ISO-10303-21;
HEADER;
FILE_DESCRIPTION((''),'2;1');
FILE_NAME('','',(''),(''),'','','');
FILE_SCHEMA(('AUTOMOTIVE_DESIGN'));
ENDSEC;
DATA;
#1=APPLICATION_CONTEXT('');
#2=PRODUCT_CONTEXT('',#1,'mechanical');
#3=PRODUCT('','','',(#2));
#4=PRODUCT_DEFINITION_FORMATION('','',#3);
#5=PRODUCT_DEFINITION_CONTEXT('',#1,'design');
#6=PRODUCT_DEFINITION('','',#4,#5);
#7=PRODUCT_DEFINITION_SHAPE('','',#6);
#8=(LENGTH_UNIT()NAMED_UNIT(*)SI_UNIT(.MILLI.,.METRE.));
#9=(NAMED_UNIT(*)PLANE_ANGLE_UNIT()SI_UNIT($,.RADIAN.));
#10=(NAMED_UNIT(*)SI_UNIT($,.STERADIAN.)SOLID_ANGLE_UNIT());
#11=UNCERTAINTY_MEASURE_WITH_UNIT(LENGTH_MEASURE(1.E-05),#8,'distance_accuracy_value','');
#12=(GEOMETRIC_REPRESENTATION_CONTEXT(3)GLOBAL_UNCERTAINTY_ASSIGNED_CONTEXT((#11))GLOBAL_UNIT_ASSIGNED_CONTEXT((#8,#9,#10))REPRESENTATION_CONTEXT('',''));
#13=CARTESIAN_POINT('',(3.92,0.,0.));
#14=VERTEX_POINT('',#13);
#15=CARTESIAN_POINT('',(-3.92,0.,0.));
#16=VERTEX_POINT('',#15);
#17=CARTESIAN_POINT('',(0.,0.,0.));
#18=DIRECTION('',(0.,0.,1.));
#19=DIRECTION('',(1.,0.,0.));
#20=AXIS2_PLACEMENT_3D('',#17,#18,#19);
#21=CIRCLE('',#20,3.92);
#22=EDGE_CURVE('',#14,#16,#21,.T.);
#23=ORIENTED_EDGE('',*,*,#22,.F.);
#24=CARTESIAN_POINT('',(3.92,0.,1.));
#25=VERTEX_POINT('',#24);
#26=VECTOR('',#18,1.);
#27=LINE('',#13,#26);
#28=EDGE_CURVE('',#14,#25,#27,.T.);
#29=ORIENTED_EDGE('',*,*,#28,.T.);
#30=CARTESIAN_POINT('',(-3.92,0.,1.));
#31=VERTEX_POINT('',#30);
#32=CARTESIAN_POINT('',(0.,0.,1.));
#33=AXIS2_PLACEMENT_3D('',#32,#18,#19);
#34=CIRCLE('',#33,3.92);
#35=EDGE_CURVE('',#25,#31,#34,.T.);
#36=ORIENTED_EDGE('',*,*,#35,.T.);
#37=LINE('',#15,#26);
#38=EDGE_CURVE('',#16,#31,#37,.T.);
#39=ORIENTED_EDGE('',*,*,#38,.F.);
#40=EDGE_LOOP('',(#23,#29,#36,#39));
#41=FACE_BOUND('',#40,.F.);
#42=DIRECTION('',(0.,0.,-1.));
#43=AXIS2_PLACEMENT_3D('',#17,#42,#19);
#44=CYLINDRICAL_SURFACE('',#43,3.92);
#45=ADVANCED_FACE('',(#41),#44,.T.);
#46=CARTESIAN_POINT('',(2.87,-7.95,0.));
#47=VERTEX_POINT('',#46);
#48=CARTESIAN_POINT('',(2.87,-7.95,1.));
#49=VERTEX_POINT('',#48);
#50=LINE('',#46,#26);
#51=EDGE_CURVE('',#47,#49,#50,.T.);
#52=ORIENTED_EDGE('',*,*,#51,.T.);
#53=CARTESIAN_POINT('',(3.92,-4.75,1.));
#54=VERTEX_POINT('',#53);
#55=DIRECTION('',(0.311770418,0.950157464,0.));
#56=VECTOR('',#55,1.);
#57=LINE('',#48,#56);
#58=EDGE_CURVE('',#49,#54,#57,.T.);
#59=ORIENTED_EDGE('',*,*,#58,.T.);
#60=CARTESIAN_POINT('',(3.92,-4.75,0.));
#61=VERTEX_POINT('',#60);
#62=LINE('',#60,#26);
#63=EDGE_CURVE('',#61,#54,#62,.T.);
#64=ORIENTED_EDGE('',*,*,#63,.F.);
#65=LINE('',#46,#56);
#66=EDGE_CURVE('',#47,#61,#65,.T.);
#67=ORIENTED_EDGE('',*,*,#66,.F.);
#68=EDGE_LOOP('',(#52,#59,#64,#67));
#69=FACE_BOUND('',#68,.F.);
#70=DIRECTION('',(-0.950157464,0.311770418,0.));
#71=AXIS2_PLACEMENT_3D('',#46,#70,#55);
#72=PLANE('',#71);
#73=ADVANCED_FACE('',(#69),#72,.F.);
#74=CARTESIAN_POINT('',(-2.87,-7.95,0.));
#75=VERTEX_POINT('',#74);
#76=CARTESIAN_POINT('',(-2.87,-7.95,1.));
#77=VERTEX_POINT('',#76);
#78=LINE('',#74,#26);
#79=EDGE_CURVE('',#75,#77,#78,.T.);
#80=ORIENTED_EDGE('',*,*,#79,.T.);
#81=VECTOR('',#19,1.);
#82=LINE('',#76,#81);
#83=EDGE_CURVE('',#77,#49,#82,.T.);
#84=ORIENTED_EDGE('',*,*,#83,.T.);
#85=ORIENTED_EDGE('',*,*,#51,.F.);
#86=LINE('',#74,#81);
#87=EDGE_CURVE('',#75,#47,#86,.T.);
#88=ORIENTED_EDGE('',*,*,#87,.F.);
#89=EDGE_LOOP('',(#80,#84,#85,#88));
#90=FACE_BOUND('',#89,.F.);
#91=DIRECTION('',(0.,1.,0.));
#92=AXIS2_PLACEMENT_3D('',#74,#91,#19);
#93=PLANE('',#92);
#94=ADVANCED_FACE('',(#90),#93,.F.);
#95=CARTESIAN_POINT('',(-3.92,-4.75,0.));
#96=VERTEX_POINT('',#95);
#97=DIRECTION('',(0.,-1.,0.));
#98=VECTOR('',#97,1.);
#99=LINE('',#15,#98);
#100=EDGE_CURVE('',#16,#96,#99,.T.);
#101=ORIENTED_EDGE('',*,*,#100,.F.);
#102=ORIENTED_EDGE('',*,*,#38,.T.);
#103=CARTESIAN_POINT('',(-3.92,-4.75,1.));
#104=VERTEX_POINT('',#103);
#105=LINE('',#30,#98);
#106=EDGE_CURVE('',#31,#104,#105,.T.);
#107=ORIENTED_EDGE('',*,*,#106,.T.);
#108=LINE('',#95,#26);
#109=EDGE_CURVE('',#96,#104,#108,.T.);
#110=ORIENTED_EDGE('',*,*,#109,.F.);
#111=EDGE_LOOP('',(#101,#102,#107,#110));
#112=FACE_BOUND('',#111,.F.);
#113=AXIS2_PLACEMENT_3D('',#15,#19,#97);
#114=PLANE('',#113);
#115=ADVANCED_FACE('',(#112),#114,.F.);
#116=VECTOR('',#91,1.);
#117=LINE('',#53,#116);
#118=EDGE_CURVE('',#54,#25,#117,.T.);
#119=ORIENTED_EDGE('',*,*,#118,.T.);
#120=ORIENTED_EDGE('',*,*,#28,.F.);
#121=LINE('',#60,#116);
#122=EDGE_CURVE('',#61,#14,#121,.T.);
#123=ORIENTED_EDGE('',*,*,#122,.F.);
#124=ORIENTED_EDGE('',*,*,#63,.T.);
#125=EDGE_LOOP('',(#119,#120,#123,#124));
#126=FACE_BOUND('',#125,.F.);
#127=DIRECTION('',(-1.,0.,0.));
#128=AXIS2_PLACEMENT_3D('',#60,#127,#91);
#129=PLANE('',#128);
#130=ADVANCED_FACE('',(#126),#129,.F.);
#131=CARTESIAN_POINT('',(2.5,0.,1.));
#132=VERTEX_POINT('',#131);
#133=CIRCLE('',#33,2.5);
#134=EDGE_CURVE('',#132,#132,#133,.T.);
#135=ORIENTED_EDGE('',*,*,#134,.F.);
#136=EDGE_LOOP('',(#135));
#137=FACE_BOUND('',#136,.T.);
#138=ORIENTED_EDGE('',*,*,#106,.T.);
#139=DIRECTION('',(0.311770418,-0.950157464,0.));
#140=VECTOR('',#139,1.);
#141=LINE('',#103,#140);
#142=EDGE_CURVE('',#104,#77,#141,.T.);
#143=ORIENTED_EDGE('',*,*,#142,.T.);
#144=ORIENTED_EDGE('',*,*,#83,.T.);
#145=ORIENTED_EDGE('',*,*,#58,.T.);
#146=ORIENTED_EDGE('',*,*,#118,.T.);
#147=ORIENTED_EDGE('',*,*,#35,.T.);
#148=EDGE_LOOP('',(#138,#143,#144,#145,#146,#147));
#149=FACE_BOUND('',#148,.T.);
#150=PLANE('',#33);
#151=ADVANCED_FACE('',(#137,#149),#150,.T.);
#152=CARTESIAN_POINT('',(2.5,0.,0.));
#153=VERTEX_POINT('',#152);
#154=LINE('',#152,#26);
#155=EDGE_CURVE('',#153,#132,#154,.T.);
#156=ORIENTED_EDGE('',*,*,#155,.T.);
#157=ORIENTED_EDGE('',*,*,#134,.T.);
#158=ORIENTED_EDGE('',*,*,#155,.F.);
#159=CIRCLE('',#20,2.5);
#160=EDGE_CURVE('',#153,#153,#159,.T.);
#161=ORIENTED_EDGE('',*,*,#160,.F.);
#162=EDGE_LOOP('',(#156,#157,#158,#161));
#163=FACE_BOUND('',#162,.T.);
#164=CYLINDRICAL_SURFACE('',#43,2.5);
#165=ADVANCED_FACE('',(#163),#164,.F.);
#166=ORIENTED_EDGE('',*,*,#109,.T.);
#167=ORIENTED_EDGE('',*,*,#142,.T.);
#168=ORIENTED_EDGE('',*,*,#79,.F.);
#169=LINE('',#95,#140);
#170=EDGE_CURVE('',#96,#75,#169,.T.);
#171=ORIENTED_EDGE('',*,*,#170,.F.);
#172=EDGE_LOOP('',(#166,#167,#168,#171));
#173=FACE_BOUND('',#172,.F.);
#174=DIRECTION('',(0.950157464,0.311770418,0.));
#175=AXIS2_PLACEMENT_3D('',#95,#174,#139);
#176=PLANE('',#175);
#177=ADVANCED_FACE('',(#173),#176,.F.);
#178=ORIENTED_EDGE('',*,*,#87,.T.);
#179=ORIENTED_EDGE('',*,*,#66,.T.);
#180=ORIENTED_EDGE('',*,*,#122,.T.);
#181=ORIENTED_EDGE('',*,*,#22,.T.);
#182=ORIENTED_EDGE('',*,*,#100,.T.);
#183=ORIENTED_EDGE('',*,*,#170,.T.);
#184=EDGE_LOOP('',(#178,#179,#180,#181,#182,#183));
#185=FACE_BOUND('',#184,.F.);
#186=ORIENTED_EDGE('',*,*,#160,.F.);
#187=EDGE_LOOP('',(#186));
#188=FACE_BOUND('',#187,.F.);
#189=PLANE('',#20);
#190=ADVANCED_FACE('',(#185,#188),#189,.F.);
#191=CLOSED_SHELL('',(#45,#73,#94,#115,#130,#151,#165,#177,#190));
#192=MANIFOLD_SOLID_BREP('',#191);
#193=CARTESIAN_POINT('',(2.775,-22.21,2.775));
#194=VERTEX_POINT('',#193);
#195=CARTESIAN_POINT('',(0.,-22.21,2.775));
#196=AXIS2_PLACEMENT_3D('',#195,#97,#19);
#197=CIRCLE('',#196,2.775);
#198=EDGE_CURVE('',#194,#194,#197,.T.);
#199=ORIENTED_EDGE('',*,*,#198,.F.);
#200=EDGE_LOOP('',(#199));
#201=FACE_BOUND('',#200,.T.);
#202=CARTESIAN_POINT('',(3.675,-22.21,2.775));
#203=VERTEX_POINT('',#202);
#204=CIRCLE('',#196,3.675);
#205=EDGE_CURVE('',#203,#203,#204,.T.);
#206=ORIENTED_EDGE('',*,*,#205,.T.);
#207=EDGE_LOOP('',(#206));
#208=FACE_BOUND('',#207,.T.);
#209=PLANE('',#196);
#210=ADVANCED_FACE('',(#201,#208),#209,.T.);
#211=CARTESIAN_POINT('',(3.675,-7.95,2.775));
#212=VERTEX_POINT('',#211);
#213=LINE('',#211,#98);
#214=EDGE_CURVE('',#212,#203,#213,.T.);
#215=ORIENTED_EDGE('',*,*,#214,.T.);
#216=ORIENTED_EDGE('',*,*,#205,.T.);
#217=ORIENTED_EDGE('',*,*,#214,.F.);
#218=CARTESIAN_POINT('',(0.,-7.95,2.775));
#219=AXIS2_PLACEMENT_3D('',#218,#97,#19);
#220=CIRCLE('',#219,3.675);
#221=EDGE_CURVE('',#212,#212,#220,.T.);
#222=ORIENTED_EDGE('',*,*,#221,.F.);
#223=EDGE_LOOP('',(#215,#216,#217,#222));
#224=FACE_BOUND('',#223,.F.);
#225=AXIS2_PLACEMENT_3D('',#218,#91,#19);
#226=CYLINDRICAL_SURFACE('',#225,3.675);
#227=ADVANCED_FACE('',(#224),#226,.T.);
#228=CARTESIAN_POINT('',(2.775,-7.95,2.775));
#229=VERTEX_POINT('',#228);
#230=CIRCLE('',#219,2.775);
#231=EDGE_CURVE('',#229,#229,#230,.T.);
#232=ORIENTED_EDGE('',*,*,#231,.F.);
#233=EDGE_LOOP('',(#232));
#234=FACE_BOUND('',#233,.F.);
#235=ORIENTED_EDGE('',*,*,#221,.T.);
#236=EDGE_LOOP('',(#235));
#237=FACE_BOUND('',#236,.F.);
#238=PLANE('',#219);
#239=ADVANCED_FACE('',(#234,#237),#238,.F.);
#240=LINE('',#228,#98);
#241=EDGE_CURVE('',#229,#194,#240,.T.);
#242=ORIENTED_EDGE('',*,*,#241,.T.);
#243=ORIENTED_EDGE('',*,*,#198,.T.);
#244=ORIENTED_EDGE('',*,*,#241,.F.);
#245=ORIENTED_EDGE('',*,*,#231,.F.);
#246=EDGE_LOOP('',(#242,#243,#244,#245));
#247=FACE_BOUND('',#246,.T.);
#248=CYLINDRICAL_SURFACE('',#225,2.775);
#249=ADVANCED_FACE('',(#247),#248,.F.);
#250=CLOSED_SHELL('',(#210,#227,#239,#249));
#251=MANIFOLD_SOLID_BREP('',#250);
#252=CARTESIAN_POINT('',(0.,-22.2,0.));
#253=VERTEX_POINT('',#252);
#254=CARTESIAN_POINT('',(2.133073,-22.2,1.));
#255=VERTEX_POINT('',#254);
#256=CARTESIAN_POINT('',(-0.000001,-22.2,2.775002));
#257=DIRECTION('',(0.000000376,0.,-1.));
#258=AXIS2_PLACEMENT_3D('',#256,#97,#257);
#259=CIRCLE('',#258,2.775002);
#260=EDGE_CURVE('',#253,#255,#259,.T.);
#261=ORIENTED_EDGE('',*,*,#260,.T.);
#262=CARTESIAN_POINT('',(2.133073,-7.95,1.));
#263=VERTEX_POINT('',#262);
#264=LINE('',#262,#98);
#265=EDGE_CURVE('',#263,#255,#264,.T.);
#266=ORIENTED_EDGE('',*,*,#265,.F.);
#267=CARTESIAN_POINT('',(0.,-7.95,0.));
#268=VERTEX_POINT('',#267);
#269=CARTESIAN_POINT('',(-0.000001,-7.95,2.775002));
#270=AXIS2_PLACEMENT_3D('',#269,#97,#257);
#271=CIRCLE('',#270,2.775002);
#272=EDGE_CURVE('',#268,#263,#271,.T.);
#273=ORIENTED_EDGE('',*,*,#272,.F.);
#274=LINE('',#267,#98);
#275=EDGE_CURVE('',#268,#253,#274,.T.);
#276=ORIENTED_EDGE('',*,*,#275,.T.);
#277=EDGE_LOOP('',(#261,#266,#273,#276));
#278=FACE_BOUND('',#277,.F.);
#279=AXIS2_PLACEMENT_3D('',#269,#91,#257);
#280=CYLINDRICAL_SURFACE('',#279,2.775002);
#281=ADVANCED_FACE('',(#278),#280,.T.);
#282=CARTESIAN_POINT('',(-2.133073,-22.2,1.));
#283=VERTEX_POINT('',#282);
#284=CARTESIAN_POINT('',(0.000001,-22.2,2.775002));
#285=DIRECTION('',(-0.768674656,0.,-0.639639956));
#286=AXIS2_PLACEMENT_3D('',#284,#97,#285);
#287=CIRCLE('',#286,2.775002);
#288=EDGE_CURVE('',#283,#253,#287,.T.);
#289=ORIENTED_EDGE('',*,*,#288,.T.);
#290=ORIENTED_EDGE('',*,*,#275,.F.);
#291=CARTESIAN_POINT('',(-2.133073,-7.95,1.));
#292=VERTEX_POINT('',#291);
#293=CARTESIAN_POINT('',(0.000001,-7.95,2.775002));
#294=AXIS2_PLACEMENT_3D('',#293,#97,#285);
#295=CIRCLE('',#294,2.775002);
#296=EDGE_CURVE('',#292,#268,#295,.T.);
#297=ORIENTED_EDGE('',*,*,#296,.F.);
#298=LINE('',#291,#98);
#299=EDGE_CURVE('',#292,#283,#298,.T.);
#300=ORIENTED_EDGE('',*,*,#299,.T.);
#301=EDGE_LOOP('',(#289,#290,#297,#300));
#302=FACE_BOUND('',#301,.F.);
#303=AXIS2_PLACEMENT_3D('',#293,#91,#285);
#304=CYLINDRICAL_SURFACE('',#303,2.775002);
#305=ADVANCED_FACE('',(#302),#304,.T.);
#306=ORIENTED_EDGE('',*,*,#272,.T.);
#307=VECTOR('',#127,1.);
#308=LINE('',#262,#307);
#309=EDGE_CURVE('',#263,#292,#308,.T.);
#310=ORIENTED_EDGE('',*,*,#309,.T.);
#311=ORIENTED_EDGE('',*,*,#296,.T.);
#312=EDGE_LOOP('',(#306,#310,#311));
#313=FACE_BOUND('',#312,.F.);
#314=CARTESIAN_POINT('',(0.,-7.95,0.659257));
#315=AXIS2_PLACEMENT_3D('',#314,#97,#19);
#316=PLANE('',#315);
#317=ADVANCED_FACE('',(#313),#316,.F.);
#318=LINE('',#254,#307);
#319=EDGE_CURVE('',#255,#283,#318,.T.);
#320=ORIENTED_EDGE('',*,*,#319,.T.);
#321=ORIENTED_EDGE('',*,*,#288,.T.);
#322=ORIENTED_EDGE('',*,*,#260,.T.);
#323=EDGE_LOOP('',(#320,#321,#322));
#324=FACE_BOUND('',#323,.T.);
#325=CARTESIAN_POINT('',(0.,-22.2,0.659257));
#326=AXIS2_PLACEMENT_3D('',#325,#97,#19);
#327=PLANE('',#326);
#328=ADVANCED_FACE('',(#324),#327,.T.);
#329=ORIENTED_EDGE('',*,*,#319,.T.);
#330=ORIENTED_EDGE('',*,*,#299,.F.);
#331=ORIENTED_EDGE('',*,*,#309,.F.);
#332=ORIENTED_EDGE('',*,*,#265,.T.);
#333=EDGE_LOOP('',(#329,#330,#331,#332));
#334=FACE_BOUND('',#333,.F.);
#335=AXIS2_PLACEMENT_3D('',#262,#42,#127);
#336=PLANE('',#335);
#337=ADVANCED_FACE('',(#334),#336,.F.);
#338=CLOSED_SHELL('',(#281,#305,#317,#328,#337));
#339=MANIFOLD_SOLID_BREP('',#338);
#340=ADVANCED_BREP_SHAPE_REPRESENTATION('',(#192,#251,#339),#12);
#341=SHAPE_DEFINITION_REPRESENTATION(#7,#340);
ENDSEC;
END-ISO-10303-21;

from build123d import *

# Parameters (mm, degrees)
F0_R     = 2.5
F1_DEPTH = 1
F2_R     = 3.675
F2_R_2   = 2.775
F3_DEPTH = 14.26
F4_DEPTH = 14.25


with BuildPart() as f1:
    # F0 (on Top) → F1 (new body)
    with BuildSketch(Plane.XY):
        with BuildLine():
            ThreePointArc((-3.92, 0), (0, -3.92), (3.92, 0))
            ThreePointArc((3.92, 0), (0, 3.92), (-3.92, 0))
        make_face()
        Circle(F0_R, mode=Mode.SUBTRACT)
        with BuildLine():
            Line((3.92, -4.75), (3.92, 0))
            ThreePointArc((3.92, 0), (0, -3.92), (-3.92, 0))
            Line((-3.92, 0), (-3.92, -4.75))
            Line((-3.92, -4.75), (-2.87, -7.95))
            Line((-2.87, -7.95), (2.87, -7.95))
            Line((2.87, -7.95), (3.92, -4.75))
        make_face()
    extrude(amount=F1_DEPTH)


with BuildPart() as f3:
    # F2 (on face) → F3 (new body)
    with BuildSketch(Plane.XZ.offset(7.95)):
        with Locations((0, 2.775)):
            Circle(F2_R)
        with Locations((0, 2.775)):
            Circle(F2_R_2, mode=Mode.SUBTRACT)
    extrude(amount=F3_DEPTH)


with BuildPart() as f4:
    # F2 (on face) → F4 (new body)
    with BuildSketch(Plane.XZ.offset(7.95)):
        with BuildLine():
            ThreePointArc((-2.133073, 1), (-1.177922, 0.262407), (0, 0))
            ThreePointArc((0, 0), (1.177922, 0.262407), (2.133073, 1))
            Line((2.133073, 1), (-2.133073, 1))
        make_face()
    extrude(amount=F4_DEPTH)


solid = Compound([f1.part, f3.part, f4.part])
